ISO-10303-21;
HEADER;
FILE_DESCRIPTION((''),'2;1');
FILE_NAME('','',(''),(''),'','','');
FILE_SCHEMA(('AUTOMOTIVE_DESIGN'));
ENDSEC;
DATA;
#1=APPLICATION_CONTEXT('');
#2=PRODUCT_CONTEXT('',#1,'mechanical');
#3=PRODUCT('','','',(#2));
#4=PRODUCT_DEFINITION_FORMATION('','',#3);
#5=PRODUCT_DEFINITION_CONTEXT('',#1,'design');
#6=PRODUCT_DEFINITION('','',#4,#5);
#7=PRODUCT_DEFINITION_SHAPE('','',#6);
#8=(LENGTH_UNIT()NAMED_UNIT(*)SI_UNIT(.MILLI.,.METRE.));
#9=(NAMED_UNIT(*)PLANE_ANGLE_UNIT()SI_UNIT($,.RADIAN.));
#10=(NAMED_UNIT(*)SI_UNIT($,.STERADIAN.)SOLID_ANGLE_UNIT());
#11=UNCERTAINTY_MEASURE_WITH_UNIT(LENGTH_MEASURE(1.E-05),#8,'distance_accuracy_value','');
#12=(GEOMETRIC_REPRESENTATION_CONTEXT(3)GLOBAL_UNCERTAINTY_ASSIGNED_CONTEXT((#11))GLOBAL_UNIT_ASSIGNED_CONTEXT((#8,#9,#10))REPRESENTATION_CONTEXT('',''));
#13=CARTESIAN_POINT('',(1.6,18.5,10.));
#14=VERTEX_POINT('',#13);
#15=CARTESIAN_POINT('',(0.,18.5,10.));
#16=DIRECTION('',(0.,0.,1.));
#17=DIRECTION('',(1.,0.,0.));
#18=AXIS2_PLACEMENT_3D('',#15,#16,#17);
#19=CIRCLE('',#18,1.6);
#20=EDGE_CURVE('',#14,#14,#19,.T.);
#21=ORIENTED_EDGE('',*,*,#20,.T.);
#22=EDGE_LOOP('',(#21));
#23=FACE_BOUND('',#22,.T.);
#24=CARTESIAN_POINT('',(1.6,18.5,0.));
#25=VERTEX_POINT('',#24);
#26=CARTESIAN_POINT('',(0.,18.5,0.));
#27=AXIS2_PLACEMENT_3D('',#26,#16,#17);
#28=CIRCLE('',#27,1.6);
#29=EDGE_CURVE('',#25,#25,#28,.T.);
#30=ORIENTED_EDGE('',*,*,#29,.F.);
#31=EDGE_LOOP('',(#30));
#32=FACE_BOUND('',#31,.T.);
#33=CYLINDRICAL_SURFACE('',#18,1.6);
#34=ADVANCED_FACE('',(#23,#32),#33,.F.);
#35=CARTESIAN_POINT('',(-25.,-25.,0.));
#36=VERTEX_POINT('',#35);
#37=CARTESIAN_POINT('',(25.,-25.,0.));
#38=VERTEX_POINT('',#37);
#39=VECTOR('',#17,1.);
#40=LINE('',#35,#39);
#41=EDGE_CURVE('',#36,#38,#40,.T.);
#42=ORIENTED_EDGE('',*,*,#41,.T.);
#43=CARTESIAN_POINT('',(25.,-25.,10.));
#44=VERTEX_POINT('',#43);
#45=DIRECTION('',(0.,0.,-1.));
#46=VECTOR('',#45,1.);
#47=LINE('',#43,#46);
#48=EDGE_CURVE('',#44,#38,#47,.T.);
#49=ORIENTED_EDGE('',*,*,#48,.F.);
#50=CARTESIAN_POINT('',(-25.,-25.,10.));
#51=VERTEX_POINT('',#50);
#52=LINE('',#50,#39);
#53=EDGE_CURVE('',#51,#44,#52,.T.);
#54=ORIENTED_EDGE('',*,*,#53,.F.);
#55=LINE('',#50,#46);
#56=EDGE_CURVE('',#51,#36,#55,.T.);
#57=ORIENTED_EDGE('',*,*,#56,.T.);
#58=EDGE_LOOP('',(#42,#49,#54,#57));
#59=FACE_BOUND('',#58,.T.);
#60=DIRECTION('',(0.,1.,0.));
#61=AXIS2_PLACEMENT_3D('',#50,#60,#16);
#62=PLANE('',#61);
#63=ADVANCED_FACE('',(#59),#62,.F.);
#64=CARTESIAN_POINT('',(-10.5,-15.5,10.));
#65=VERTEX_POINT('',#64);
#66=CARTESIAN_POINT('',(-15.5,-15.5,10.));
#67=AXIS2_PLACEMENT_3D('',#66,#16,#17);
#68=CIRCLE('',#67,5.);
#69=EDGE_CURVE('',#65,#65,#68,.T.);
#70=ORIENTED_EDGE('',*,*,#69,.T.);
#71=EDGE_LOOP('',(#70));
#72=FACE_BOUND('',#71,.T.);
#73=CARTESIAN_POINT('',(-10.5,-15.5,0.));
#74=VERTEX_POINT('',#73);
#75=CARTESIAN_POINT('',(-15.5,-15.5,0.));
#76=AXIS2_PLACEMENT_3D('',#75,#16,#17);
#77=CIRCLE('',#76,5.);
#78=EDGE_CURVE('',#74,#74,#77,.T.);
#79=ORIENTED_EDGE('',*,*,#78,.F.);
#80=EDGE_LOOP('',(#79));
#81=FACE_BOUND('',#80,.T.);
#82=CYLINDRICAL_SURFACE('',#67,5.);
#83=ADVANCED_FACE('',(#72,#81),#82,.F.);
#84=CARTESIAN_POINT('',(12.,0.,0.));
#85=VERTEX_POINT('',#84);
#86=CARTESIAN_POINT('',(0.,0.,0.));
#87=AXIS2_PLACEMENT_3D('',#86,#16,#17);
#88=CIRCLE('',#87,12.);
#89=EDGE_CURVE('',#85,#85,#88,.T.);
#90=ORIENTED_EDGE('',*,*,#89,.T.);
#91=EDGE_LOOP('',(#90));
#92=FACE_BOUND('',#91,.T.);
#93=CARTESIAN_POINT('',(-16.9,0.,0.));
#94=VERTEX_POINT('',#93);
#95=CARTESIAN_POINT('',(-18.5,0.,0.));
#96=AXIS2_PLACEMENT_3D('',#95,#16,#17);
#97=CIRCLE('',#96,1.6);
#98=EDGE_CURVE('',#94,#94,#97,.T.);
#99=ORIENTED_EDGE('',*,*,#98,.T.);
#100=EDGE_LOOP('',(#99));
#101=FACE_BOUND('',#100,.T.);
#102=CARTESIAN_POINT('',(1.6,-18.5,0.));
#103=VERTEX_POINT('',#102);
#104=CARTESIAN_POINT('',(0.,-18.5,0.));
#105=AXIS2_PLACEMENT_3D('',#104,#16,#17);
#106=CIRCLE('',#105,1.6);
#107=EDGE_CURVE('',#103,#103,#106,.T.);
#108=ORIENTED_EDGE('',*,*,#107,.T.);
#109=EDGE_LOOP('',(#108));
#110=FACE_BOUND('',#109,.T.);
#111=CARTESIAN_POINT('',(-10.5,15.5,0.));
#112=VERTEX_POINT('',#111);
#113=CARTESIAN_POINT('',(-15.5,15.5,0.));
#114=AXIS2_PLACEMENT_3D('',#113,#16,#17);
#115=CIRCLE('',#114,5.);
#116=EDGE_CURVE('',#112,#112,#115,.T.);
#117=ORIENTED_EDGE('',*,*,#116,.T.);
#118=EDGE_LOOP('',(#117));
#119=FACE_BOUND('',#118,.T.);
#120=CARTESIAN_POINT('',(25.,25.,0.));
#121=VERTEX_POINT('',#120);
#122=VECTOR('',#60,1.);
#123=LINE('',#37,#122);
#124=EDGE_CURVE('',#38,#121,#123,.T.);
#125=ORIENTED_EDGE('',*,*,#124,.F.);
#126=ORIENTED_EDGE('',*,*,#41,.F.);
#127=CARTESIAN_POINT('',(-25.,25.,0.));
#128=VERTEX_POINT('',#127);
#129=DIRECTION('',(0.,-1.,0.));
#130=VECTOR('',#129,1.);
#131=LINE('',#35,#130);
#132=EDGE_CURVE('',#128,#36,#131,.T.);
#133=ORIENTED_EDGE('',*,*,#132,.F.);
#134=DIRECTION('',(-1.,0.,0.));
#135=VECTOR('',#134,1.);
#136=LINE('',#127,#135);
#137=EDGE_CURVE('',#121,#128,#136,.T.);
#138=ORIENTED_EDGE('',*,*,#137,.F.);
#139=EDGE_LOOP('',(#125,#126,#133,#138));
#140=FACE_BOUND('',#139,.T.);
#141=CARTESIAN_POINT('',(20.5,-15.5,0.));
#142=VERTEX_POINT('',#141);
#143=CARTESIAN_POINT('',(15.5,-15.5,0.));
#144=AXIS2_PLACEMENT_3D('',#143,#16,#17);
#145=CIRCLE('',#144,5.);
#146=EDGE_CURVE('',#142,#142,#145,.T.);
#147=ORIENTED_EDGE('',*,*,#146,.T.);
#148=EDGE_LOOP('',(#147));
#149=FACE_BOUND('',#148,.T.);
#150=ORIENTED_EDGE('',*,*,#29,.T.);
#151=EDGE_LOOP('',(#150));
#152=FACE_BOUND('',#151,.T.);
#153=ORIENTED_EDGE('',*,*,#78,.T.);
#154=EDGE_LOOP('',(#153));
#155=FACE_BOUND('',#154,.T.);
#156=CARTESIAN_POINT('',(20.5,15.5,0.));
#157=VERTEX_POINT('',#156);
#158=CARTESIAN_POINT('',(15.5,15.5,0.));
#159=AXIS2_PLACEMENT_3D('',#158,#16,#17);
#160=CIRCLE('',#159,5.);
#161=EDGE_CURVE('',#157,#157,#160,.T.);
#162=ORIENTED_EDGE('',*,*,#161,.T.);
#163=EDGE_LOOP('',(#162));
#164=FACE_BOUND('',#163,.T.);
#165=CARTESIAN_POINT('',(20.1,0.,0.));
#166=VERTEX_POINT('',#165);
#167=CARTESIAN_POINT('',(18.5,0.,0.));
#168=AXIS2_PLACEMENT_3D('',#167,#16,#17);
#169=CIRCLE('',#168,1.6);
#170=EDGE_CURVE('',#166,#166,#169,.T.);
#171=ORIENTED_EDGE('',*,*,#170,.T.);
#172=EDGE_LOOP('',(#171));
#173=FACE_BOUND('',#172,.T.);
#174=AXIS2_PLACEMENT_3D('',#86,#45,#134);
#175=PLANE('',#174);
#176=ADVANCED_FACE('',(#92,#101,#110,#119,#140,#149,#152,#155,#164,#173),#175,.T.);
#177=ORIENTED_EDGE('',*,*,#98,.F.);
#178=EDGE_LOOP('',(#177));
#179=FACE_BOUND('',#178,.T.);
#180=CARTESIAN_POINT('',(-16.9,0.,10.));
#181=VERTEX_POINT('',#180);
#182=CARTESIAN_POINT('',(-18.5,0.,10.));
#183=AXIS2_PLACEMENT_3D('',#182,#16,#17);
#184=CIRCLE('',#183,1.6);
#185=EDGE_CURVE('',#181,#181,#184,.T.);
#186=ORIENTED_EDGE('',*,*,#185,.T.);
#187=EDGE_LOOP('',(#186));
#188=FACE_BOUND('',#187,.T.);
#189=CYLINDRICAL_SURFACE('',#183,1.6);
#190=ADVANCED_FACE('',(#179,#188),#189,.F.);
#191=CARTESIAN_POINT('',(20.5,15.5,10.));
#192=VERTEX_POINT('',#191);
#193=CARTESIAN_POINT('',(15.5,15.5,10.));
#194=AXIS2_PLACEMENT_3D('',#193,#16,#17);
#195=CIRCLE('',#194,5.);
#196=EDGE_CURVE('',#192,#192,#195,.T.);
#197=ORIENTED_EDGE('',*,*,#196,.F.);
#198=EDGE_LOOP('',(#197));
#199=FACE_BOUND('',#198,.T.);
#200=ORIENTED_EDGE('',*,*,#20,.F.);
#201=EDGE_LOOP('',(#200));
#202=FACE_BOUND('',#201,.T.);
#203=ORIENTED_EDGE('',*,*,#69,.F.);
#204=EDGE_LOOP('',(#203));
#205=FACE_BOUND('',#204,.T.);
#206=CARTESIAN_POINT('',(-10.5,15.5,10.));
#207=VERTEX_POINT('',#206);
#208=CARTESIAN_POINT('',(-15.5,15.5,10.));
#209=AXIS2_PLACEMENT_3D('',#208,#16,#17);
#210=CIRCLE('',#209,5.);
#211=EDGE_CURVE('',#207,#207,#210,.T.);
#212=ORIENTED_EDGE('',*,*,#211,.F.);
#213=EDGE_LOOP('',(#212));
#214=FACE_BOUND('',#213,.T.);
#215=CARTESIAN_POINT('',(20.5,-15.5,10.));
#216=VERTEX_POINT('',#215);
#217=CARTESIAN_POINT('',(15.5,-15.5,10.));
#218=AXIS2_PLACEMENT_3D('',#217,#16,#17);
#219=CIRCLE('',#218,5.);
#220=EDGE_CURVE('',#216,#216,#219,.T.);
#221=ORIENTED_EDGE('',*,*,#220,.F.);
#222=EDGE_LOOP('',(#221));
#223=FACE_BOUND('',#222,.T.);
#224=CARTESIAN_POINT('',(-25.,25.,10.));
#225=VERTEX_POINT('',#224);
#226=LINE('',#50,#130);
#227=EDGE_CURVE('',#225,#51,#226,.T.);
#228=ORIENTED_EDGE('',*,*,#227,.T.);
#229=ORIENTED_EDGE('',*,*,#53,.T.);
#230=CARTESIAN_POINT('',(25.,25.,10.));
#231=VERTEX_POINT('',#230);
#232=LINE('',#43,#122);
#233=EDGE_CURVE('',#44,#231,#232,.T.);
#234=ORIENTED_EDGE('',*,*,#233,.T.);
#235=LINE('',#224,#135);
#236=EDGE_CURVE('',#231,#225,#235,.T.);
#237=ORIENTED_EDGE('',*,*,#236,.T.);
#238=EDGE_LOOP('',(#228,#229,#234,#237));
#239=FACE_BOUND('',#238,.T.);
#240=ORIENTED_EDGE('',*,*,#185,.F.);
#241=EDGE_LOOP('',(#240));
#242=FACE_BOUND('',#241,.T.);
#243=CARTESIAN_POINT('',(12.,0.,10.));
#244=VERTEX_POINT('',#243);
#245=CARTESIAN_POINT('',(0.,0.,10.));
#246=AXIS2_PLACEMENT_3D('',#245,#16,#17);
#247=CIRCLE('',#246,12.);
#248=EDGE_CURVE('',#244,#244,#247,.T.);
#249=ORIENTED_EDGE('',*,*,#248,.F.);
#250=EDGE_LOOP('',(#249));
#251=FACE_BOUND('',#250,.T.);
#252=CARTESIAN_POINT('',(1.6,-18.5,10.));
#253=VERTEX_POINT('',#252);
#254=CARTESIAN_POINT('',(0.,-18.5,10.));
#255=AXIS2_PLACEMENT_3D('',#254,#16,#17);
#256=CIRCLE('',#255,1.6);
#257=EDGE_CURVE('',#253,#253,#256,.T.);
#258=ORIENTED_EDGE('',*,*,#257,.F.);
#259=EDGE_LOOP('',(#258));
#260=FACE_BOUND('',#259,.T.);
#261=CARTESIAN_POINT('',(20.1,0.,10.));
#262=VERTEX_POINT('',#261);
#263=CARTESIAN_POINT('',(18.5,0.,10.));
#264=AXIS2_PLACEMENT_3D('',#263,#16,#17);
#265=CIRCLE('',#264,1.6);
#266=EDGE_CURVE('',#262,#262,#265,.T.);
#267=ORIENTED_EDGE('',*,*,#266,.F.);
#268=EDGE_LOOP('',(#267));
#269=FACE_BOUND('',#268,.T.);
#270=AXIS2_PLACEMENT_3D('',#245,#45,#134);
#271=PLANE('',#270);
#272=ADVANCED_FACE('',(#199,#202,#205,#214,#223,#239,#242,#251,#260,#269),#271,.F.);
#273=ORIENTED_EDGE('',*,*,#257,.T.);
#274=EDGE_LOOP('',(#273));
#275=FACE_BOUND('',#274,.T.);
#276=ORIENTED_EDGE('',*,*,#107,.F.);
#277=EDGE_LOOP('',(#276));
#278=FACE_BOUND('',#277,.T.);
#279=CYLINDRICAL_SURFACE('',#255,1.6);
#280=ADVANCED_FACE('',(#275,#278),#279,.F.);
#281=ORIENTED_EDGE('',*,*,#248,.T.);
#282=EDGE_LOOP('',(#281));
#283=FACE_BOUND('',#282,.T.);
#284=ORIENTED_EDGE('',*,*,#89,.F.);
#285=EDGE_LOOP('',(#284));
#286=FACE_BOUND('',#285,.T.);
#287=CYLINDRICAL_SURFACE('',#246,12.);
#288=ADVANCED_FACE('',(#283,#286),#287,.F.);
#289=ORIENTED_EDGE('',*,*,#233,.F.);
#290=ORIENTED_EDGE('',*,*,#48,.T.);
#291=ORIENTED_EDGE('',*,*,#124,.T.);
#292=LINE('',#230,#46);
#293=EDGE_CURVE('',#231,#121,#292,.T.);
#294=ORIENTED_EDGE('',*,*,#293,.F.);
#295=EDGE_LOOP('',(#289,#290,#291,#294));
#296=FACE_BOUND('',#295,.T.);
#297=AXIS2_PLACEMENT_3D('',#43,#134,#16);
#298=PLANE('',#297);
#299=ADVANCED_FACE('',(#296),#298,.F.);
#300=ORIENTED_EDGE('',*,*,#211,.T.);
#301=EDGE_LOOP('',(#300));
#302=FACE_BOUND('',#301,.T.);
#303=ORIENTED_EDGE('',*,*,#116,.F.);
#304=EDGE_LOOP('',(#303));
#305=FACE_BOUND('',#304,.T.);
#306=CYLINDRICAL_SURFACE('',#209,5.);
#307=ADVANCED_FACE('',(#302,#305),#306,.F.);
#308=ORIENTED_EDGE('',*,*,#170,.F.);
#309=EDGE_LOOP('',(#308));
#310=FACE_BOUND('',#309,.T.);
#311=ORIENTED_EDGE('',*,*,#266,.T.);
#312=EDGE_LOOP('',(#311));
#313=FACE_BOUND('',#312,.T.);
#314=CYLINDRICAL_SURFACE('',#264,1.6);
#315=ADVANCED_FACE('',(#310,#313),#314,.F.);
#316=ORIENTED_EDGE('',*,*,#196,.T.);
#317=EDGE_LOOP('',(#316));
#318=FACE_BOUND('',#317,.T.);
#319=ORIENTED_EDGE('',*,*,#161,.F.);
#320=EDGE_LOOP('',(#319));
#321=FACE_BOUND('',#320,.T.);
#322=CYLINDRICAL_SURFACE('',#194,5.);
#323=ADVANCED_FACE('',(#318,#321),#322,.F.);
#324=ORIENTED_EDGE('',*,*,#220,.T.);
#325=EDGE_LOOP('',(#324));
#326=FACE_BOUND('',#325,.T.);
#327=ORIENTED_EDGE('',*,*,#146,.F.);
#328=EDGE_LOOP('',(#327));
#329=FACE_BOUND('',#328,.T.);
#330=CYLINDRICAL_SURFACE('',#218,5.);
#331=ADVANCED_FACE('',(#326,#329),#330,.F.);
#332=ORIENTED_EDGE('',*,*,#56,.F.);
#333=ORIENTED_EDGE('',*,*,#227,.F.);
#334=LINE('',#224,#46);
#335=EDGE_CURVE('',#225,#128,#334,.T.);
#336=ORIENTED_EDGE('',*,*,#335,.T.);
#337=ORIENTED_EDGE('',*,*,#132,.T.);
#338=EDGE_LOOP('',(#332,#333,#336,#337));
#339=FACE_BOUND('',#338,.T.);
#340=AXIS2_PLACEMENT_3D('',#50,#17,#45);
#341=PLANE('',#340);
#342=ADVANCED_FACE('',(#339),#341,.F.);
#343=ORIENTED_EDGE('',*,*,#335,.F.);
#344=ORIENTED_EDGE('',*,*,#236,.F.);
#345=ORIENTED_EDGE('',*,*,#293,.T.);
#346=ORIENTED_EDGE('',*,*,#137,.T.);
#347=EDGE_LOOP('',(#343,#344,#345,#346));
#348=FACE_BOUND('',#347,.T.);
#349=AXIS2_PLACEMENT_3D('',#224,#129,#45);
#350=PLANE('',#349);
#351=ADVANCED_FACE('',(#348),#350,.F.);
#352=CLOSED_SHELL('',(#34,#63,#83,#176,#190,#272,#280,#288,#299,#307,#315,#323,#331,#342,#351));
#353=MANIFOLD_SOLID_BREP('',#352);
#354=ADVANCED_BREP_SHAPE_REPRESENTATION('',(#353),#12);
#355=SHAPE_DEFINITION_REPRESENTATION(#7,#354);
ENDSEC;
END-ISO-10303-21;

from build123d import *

# Parameters (mm, degrees)
SKETCH_1_W        = 50
SKETCH_1_H        = 50
EXTRUDE_1_DEPTH   = 10
HOLE_WIZARD_339_D = 24
HOLE_WIZARD_2_D   = 3.2
HOLE_WIZARD_3_D   = 10


with BuildPart() as part:
    # 草图1 → 凸台-拉伸1 (new body)
    with BuildSketch(Plane.XY):
        Rectangle(SKETCH_1_W, SKETCH_1_H)
    extrude(amount=EXTRUDE_1_DEPTH)

    # Hole Wizard 339 (through all)
    with Locations(Plane.XY.offset(10)):
        with Locations((0, 0)):
            Hole(HOLE_WIZARD_339_D / 2)

    # 孔2 (through all)
    with Locations(Plane.XY.offset(10)):
        with Locations((0, 18.5), (18.5, 0), (0, -18.5), (-18.5, 0)):
            Hole(HOLE_WIZARD_2_D / 2)

    # 孔3 (through all)
    with Locations(Plane.XY.offset(10)):
        with Locations((-15.5, 15.5), (15.5, 15.5), (15.5, -15.5), (-15.5, -15.5)):
            Hole(HOLE_WIZARD_3_D / 2)


solid = part.part
